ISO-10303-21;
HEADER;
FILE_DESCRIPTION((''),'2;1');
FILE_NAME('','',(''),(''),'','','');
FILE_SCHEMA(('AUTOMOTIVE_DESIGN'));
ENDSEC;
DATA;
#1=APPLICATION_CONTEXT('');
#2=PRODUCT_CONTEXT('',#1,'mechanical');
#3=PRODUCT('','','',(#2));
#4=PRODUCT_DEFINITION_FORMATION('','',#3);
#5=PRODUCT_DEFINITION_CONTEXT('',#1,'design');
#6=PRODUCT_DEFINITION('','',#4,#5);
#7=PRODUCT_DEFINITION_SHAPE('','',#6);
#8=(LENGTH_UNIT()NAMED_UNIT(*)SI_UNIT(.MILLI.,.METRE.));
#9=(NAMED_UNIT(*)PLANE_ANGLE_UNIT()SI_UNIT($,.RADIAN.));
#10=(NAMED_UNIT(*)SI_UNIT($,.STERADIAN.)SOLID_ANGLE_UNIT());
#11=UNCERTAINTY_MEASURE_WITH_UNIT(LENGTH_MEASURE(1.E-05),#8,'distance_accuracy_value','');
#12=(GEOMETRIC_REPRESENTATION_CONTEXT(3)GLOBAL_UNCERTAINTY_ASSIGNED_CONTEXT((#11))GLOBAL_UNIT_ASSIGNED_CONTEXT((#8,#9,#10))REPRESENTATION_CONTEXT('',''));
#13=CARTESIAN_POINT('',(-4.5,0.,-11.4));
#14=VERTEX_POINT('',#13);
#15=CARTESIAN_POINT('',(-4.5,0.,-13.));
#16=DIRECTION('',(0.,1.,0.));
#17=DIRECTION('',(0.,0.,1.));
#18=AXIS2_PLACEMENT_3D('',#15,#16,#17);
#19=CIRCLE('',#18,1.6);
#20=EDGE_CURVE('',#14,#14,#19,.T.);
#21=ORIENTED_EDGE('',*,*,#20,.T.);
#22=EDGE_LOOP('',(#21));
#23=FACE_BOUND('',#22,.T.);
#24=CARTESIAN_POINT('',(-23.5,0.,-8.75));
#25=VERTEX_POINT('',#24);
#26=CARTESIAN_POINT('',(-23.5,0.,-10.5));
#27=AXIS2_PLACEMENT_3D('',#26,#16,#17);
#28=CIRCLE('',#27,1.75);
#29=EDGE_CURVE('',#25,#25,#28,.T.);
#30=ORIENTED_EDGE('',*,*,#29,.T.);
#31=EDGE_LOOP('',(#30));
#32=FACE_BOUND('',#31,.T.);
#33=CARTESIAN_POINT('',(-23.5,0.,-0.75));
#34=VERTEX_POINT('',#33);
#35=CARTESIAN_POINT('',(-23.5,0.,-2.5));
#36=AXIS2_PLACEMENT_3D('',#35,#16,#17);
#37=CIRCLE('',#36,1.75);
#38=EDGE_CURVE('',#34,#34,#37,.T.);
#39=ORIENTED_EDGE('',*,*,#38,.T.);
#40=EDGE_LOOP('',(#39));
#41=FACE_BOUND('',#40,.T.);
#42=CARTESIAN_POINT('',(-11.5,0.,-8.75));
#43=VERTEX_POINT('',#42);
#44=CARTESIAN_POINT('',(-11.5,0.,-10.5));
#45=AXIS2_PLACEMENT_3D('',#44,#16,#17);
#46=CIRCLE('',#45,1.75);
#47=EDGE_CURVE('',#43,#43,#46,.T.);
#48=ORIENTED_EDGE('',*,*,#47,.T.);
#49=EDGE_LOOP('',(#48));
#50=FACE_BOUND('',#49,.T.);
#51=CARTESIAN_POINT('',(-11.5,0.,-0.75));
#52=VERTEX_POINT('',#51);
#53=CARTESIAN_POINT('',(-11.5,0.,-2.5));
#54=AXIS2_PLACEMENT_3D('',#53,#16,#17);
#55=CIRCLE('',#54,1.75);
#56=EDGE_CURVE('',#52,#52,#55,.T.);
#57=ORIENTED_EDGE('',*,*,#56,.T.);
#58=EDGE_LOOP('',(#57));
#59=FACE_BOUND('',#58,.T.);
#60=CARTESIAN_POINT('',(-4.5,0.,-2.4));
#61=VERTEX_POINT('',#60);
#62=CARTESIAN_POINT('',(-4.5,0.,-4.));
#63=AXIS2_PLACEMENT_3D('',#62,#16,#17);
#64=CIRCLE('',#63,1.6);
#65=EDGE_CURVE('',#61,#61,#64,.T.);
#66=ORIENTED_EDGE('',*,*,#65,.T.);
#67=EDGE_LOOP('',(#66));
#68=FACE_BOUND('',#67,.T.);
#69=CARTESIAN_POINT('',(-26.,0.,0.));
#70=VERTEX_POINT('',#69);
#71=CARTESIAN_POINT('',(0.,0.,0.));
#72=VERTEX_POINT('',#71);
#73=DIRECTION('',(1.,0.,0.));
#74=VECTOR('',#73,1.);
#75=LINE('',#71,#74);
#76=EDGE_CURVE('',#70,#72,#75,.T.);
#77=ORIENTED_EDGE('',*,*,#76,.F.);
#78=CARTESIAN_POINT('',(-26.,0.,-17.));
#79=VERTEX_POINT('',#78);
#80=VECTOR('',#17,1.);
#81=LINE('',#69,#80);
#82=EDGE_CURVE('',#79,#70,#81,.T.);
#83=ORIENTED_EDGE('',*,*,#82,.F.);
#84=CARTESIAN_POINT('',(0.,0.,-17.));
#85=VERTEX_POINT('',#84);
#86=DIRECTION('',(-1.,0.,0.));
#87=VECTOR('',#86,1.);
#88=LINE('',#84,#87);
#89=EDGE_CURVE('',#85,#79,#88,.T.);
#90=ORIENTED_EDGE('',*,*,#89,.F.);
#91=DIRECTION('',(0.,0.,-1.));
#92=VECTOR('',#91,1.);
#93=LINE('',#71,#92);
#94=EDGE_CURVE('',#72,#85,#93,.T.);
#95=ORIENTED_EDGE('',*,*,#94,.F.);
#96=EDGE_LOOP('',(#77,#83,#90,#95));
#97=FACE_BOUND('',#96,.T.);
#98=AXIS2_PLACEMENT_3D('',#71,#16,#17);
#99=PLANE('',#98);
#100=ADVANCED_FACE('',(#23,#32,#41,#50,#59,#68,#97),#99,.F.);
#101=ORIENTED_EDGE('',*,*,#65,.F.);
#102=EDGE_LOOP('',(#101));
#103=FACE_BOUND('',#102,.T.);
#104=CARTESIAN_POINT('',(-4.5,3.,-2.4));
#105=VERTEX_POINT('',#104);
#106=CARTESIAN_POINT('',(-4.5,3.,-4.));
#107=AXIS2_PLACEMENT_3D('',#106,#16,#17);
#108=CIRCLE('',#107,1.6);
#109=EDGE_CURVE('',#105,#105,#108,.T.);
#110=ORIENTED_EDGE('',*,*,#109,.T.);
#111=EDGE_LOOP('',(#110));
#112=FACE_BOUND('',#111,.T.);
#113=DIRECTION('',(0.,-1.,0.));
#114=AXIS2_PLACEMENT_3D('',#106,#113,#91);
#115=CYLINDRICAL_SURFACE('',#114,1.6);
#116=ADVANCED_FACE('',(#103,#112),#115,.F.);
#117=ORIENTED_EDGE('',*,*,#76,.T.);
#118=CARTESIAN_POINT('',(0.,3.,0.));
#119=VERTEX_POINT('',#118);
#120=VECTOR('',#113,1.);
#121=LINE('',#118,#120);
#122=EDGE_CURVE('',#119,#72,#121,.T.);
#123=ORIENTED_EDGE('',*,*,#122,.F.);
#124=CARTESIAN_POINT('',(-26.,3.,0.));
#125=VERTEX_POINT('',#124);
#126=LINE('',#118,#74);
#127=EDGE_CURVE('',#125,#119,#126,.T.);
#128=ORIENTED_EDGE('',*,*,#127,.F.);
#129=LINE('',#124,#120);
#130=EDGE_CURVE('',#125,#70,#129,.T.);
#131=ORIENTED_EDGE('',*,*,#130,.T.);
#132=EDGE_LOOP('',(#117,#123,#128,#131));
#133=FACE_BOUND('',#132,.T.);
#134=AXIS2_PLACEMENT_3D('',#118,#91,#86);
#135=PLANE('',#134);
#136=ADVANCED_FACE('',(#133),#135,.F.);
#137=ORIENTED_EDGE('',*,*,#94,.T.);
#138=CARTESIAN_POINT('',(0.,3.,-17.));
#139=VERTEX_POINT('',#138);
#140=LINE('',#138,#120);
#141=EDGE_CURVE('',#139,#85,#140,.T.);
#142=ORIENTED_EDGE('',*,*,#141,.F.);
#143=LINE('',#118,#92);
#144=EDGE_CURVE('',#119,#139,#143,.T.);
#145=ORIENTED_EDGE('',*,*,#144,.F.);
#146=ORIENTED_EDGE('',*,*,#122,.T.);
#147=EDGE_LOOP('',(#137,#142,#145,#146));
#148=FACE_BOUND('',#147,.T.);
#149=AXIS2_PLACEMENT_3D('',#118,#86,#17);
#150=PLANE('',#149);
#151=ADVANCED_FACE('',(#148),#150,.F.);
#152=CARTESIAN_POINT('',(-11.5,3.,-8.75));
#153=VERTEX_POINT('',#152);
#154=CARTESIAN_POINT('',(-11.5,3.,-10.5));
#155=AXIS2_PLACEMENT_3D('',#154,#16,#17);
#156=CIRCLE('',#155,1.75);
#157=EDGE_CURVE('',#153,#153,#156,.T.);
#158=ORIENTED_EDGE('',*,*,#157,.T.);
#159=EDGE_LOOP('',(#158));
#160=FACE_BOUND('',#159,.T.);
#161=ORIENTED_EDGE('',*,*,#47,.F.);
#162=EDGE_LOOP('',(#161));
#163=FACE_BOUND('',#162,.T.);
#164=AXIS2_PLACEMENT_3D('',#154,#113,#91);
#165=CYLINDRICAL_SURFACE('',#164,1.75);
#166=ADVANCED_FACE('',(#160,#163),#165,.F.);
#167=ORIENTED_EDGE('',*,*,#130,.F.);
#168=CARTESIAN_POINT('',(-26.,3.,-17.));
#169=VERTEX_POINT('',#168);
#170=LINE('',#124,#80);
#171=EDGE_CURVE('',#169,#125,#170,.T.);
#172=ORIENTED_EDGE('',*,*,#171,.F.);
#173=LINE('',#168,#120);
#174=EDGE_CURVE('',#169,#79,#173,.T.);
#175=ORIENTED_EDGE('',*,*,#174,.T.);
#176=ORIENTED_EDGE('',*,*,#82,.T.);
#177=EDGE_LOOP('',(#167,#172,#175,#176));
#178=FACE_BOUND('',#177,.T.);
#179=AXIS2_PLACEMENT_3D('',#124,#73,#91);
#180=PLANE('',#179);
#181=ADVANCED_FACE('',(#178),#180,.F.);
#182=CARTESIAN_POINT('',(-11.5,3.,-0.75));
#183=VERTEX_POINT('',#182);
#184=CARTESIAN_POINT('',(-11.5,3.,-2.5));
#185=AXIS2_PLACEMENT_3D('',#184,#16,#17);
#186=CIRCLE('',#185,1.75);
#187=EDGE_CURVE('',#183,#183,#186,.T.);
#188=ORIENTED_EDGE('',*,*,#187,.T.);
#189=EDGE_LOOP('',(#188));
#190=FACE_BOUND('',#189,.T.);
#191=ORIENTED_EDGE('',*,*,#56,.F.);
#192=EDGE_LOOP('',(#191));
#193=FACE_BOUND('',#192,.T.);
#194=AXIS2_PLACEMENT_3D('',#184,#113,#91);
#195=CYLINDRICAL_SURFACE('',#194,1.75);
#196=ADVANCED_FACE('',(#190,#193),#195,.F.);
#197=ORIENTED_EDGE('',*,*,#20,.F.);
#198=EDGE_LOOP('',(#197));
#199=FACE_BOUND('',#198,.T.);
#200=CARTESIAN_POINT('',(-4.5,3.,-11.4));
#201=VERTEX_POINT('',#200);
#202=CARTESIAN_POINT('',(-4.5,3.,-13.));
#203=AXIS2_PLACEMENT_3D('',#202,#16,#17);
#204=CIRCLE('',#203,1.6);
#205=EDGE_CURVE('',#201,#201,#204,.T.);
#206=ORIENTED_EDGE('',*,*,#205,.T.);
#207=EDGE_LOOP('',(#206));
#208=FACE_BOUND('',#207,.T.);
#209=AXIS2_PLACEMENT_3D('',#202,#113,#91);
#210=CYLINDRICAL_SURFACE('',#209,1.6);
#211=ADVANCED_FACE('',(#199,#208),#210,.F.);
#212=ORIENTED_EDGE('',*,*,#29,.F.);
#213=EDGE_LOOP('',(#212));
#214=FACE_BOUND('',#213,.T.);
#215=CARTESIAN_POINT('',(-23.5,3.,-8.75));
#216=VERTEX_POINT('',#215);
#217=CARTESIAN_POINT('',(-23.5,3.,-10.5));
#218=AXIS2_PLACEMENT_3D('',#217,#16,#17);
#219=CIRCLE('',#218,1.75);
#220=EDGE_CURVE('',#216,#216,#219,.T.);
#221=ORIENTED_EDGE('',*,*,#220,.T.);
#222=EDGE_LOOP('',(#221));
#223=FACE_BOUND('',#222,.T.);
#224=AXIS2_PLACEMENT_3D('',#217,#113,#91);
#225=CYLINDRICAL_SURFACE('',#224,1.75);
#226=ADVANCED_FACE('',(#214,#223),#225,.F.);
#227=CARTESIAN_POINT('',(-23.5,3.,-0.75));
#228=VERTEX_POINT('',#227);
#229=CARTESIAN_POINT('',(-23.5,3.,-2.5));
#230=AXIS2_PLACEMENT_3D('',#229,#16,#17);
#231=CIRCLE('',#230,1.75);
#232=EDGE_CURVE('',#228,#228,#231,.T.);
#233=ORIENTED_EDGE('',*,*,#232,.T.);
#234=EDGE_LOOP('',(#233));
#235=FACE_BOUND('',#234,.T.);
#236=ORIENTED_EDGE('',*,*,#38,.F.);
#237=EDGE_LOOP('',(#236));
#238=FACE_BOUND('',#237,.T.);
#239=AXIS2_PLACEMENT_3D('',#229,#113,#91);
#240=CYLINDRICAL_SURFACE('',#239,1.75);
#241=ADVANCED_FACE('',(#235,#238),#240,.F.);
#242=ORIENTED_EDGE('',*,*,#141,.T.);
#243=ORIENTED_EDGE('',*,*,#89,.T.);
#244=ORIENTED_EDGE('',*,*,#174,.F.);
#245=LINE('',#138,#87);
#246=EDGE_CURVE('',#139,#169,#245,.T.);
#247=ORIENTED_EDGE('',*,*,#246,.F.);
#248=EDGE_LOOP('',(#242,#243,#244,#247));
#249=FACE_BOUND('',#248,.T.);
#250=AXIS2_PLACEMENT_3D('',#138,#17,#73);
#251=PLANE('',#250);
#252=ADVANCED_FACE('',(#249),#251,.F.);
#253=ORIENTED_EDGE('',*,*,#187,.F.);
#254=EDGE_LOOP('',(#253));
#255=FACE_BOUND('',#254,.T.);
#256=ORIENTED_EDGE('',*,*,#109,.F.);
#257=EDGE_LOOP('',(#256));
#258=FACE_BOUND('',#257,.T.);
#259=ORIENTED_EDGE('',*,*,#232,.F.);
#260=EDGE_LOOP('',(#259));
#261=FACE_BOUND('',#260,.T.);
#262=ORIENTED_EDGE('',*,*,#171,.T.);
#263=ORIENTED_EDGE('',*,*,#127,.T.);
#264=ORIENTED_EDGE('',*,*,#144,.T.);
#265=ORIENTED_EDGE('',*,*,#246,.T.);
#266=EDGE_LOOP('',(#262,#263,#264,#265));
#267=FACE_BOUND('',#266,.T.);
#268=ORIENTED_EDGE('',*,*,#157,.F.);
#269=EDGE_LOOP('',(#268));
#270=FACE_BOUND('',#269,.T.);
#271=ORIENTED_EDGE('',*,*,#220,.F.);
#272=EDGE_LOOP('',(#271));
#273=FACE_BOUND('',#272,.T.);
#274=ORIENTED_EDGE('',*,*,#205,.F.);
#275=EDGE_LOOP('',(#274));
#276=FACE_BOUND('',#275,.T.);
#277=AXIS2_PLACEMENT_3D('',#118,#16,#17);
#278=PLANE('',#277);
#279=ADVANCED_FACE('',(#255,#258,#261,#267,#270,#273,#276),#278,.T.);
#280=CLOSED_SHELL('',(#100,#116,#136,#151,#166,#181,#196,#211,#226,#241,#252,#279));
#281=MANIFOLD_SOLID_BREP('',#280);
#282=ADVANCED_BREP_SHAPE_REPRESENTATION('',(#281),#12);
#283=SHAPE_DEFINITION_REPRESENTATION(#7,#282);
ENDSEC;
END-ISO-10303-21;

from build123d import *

# Parameters (mm, degrees)
SKETCH_1_W      = 26
SKETCH_1_H      = 17
SKETCH_1_R      = 1.75
SKETCH_1_R_2    = 1.6
EXTRUDE_1_DEPTH = 3


with BuildPart() as part:
    # 草图1 → 凸台-拉伸1 (new body)
    with BuildSketch(Plane(origin=(0, 0, 0), x_dir=(1, 0, 0), z_dir=(0, 1, 0))):
        with Locations((-13, 8.5)):
            Rectangle(SKETCH_1_W, SKETCH_1_H)
        with Locations(Location((-23.5, 10.5, 0), (0, 0, 270))):
            Circle(SKETCH_1_R, mode=Mode.SUBTRACT)
        with Locations(Location((-11.5, 10.5, 0), (0, 0, 270))):
            Circle(SKETCH_1_R, mode=Mode.SUBTRACT)
        with Locations(Location((-23.5, 2.5, 0), (0, 0, 270))):
            Circle(SKETCH_1_R, mode=Mode.SUBTRACT)
        with Locations(Location((-11.5, 2.5, 0), (0, 0, 270))):
            Circle(SKETCH_1_R, mode=Mode.SUBTRACT)
        with Locations(Location((-4.5, 13, 0), (0, 0, 270))):
            Circle(SKETCH_1_R_2, mode=Mode.SUBTRACT)
        with Locations(Location((-4.5, 4, 0), (0, 0, 270))):
            Circle(SKETCH_1_R_2, mode=Mode.SUBTRACT)
    extrude(amount=EXTRUDE_1_DEPTH)


solid = part.part
